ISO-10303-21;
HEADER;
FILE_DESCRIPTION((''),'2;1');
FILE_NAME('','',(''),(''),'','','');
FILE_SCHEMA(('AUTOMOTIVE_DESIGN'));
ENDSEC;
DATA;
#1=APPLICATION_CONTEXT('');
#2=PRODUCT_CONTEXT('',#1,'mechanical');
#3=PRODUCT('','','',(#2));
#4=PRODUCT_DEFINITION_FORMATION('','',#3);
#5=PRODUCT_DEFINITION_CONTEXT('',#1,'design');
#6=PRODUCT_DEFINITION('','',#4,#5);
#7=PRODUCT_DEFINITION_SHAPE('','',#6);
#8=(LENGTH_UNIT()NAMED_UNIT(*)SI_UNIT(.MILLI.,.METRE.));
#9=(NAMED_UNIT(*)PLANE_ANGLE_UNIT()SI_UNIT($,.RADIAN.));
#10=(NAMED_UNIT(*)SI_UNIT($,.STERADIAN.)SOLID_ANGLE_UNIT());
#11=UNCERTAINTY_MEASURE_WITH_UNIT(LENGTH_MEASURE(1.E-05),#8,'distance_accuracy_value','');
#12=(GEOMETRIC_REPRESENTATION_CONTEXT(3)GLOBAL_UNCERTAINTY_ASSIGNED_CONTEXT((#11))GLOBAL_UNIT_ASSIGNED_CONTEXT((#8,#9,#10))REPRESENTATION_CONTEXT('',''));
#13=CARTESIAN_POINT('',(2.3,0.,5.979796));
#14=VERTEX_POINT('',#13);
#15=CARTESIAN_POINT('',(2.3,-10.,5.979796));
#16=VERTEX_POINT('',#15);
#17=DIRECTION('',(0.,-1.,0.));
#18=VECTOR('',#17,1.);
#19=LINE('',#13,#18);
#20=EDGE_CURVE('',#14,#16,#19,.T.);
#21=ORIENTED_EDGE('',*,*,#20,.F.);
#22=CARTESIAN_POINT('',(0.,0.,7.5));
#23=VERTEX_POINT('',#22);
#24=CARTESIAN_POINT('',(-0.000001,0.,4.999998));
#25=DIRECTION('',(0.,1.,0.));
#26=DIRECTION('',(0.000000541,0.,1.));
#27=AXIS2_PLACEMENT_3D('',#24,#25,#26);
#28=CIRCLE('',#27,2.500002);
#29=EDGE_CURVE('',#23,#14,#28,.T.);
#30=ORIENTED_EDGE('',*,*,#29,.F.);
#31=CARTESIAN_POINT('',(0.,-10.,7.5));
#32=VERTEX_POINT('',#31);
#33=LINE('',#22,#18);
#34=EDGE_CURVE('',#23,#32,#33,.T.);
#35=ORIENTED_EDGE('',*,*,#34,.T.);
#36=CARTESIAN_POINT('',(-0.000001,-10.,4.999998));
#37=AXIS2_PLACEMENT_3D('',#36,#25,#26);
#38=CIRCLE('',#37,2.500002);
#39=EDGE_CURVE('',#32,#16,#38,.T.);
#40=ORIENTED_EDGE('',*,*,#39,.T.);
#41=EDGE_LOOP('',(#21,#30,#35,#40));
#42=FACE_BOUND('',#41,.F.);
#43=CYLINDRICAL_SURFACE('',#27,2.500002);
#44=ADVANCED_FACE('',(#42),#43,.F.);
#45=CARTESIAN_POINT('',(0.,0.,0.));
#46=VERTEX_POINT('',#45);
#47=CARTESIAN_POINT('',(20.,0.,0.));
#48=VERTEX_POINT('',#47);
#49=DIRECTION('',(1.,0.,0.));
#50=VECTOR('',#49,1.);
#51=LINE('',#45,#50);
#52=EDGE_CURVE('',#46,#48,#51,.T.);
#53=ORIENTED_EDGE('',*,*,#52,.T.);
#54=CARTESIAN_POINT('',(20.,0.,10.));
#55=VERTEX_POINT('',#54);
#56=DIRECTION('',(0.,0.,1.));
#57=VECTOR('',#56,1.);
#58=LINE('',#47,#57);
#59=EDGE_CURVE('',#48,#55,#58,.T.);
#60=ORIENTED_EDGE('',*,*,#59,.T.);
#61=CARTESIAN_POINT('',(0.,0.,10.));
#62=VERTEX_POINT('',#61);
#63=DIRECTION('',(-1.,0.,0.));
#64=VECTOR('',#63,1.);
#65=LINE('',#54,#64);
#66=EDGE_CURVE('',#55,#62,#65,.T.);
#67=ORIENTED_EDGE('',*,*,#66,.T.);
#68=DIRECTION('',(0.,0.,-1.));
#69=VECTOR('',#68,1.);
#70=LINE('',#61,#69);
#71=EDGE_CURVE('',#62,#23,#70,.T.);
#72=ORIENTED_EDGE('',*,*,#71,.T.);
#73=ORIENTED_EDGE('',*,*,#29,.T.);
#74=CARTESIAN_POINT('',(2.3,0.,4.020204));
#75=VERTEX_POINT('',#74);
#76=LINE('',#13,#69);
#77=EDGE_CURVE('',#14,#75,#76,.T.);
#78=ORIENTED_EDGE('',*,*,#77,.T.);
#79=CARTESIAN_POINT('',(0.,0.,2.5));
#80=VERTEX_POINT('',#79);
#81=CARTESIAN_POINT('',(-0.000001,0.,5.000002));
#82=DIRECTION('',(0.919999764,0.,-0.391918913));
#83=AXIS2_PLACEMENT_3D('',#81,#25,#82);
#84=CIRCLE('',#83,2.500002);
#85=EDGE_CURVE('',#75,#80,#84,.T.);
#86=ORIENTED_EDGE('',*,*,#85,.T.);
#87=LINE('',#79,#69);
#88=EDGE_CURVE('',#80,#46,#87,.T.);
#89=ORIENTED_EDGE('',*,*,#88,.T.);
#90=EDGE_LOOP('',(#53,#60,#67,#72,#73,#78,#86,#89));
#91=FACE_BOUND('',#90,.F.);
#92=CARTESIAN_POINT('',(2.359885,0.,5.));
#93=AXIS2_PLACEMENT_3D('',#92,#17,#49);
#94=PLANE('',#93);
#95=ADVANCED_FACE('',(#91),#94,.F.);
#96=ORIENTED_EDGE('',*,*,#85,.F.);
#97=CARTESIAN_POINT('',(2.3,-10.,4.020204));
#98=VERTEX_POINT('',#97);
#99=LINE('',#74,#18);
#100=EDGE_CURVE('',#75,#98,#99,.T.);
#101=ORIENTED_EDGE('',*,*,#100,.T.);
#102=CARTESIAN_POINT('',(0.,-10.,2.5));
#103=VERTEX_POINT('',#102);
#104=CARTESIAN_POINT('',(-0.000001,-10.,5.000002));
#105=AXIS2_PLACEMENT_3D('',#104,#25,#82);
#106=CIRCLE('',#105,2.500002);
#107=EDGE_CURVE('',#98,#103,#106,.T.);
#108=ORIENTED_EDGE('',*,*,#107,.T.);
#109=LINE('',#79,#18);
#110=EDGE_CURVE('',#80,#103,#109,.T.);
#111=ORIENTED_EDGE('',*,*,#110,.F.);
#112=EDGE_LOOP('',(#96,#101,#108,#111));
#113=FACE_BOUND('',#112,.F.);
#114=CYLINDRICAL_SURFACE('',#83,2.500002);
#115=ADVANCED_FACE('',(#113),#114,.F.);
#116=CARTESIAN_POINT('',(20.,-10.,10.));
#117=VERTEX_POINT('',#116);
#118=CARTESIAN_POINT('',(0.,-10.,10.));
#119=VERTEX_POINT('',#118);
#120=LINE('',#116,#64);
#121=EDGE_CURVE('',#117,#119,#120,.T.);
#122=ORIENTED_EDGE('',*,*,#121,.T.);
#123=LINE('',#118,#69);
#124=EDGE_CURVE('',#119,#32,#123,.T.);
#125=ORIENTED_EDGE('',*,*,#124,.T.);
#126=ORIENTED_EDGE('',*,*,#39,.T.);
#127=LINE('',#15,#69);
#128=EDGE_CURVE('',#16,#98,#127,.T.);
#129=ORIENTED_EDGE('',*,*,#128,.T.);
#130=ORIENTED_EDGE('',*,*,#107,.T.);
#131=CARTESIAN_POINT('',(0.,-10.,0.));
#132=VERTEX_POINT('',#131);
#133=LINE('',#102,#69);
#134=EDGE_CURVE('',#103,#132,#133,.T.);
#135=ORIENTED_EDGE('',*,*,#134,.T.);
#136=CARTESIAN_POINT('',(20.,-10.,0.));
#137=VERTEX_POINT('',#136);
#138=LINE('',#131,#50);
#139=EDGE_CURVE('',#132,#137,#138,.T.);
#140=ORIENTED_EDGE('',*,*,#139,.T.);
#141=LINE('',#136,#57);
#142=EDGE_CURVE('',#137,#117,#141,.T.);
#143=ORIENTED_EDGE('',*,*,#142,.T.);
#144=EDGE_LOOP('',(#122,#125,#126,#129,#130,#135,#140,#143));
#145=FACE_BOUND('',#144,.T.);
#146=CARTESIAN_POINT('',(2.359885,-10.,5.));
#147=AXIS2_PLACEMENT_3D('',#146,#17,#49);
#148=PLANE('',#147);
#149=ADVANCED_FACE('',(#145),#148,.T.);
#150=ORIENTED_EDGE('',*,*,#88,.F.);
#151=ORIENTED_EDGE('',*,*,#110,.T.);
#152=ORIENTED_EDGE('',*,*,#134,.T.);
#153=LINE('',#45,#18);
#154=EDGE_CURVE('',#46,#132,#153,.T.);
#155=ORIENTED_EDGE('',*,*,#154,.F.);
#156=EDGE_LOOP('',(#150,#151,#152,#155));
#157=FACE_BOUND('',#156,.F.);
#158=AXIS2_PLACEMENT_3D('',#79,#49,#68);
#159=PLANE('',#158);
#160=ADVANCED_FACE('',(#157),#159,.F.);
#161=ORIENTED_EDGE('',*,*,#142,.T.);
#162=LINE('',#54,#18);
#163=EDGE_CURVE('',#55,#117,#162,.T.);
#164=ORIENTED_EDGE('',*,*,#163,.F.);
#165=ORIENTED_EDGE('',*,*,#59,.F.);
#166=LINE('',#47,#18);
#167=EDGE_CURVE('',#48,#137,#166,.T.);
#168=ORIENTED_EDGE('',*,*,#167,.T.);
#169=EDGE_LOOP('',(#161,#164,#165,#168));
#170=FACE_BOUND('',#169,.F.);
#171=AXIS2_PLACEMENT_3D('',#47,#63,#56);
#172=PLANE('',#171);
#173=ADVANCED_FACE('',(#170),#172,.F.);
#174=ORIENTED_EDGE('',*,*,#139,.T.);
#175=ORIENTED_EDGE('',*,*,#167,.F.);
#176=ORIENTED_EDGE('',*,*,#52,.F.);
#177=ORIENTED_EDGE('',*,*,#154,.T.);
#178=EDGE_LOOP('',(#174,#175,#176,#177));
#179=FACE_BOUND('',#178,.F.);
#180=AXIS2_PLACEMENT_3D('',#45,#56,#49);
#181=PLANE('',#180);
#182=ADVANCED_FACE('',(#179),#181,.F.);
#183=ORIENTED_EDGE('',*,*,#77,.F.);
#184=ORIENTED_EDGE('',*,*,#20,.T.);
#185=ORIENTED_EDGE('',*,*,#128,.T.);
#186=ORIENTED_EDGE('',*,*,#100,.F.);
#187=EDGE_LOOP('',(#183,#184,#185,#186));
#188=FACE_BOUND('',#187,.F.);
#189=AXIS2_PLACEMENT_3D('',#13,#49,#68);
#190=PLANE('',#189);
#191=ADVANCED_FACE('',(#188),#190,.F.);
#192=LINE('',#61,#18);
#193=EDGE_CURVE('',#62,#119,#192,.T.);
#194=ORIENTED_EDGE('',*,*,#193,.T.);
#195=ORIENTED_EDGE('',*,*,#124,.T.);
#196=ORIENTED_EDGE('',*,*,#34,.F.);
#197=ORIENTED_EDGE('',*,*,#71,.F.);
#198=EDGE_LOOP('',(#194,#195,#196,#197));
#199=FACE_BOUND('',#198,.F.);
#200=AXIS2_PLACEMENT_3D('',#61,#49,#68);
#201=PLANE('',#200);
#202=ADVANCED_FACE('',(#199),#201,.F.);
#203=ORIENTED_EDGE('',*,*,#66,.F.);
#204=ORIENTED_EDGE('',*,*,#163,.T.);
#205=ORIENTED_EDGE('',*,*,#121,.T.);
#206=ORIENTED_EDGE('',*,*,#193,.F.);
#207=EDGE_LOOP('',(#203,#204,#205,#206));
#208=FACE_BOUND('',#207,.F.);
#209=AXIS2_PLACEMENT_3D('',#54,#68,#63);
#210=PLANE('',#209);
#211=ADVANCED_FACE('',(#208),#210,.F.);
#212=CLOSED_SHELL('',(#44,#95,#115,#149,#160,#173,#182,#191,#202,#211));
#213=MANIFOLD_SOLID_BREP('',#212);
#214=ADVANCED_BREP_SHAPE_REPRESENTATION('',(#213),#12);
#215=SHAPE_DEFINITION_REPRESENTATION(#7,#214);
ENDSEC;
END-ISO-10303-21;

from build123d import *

# Parameters (mm, degrees)
F1_DEPTH = 10


with BuildPart() as f1:
    # F0 (on Front) → F1 (new body)
    with BuildSketch(Plane.XZ):
        with BuildLine():
            Line((2.3, 5.979796), (2.3, 4.020204))
            ThreePointArc((2.3, 4.020204), (2.5, 5), (2.3, 5.979796))
        make_face()
        with BuildLine():
            Line((0, 2.5), (0, 0))
            Line((0, 0), (20, 0))
            Line((20, 0), (20, 10))
            Line((20, 10), (0, 10))
            Line((0, 10), (0, 7.5))
            ThreePointArc((0, 7.5), (1.378497, 7.085604), (2.3, 5.979796))
            ThreePointArc((2.3, 5.979796), (2.5, 5), (2.3, 4.020204))
            ThreePointArc((2.3, 4.020204), (1.378497, 2.914396), (0, 2.5))
        make_face()
    extrude(amount=F1_DEPTH)


solid = f1.part
